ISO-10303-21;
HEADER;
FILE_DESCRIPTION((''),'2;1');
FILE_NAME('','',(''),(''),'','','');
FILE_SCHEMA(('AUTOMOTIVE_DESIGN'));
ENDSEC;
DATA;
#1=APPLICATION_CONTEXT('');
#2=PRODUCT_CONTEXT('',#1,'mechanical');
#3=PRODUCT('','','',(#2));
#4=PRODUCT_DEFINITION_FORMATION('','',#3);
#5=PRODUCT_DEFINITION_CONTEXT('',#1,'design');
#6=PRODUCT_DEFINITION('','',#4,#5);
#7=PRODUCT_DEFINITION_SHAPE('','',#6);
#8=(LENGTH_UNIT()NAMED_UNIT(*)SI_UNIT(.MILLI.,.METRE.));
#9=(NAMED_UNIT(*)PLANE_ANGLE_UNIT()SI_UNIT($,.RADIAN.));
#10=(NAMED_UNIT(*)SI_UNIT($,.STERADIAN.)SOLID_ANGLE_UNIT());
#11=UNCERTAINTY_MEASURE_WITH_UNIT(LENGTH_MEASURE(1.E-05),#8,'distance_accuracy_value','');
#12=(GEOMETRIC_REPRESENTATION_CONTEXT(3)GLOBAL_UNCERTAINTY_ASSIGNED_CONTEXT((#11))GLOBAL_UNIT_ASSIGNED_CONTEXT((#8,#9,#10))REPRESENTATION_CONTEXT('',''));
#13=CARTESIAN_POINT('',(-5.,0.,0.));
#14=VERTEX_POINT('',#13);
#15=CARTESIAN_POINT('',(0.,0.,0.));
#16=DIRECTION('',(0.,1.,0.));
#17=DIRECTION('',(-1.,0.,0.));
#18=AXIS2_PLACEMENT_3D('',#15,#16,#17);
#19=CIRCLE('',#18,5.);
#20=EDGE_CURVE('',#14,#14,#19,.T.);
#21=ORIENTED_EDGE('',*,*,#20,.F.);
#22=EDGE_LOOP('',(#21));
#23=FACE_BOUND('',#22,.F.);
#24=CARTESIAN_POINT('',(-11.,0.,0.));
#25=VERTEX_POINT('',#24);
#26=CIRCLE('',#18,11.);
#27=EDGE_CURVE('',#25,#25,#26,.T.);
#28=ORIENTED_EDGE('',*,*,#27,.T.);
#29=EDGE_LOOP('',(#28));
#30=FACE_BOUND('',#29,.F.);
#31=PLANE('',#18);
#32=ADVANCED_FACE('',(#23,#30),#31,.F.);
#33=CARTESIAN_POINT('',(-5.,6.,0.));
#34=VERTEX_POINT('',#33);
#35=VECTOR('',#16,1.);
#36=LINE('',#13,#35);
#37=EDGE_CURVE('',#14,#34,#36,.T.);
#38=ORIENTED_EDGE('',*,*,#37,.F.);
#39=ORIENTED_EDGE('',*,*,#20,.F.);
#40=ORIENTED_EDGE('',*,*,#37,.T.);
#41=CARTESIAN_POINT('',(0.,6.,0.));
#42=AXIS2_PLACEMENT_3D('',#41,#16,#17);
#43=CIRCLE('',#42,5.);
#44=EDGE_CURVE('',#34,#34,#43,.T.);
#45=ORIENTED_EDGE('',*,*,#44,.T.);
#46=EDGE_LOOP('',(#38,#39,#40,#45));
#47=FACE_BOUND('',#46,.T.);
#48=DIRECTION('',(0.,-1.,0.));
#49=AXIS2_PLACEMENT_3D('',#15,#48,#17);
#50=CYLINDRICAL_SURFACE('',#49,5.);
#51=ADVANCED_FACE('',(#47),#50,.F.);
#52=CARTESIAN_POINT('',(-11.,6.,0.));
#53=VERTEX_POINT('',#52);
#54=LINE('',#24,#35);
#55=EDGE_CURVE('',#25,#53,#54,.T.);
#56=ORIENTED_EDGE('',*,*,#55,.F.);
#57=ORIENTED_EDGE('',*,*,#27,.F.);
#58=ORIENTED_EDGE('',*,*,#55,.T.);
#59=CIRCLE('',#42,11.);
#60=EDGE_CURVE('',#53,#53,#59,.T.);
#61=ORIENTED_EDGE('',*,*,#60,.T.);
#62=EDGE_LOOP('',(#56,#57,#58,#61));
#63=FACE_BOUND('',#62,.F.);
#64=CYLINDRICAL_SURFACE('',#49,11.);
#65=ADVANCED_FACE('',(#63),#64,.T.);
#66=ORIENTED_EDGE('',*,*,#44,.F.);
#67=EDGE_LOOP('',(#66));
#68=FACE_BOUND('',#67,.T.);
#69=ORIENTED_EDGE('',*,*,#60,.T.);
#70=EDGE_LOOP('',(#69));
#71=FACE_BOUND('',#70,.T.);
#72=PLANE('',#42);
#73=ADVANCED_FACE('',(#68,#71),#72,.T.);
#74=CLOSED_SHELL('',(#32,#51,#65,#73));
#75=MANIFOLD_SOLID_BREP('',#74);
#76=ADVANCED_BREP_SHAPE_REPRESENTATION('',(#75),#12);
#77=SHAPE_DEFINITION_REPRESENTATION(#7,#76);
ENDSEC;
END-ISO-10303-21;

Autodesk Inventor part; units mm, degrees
ref_plane "YZ Plane" through (0, 0, 0) normal (1, 0, 0) x (0, 1, 0)
ref_plane "XZ Plane" through (0, 0, 0) normal (0, 1, 0) x (-1, 0, 0)
ref_plane "XY Plane" through (0, 0, 0) normal (0, 0, 1) x (1, 0, 0)
sketch "Sketch1" plane through (0, 0, 0) normal (0, 1, 0) x (-1, 0, 0)
  circle A0 centre (0, 0) radius 5
  circle A1 centre (0, 0) radius 11
  dimension "d0" = 10
  dimension "d1" = 22
extrude "Extrusion1" add sketch "Sketch1" along normal blind 6
properties part number "Csapagy6900" material "Steel, Galvanized"
